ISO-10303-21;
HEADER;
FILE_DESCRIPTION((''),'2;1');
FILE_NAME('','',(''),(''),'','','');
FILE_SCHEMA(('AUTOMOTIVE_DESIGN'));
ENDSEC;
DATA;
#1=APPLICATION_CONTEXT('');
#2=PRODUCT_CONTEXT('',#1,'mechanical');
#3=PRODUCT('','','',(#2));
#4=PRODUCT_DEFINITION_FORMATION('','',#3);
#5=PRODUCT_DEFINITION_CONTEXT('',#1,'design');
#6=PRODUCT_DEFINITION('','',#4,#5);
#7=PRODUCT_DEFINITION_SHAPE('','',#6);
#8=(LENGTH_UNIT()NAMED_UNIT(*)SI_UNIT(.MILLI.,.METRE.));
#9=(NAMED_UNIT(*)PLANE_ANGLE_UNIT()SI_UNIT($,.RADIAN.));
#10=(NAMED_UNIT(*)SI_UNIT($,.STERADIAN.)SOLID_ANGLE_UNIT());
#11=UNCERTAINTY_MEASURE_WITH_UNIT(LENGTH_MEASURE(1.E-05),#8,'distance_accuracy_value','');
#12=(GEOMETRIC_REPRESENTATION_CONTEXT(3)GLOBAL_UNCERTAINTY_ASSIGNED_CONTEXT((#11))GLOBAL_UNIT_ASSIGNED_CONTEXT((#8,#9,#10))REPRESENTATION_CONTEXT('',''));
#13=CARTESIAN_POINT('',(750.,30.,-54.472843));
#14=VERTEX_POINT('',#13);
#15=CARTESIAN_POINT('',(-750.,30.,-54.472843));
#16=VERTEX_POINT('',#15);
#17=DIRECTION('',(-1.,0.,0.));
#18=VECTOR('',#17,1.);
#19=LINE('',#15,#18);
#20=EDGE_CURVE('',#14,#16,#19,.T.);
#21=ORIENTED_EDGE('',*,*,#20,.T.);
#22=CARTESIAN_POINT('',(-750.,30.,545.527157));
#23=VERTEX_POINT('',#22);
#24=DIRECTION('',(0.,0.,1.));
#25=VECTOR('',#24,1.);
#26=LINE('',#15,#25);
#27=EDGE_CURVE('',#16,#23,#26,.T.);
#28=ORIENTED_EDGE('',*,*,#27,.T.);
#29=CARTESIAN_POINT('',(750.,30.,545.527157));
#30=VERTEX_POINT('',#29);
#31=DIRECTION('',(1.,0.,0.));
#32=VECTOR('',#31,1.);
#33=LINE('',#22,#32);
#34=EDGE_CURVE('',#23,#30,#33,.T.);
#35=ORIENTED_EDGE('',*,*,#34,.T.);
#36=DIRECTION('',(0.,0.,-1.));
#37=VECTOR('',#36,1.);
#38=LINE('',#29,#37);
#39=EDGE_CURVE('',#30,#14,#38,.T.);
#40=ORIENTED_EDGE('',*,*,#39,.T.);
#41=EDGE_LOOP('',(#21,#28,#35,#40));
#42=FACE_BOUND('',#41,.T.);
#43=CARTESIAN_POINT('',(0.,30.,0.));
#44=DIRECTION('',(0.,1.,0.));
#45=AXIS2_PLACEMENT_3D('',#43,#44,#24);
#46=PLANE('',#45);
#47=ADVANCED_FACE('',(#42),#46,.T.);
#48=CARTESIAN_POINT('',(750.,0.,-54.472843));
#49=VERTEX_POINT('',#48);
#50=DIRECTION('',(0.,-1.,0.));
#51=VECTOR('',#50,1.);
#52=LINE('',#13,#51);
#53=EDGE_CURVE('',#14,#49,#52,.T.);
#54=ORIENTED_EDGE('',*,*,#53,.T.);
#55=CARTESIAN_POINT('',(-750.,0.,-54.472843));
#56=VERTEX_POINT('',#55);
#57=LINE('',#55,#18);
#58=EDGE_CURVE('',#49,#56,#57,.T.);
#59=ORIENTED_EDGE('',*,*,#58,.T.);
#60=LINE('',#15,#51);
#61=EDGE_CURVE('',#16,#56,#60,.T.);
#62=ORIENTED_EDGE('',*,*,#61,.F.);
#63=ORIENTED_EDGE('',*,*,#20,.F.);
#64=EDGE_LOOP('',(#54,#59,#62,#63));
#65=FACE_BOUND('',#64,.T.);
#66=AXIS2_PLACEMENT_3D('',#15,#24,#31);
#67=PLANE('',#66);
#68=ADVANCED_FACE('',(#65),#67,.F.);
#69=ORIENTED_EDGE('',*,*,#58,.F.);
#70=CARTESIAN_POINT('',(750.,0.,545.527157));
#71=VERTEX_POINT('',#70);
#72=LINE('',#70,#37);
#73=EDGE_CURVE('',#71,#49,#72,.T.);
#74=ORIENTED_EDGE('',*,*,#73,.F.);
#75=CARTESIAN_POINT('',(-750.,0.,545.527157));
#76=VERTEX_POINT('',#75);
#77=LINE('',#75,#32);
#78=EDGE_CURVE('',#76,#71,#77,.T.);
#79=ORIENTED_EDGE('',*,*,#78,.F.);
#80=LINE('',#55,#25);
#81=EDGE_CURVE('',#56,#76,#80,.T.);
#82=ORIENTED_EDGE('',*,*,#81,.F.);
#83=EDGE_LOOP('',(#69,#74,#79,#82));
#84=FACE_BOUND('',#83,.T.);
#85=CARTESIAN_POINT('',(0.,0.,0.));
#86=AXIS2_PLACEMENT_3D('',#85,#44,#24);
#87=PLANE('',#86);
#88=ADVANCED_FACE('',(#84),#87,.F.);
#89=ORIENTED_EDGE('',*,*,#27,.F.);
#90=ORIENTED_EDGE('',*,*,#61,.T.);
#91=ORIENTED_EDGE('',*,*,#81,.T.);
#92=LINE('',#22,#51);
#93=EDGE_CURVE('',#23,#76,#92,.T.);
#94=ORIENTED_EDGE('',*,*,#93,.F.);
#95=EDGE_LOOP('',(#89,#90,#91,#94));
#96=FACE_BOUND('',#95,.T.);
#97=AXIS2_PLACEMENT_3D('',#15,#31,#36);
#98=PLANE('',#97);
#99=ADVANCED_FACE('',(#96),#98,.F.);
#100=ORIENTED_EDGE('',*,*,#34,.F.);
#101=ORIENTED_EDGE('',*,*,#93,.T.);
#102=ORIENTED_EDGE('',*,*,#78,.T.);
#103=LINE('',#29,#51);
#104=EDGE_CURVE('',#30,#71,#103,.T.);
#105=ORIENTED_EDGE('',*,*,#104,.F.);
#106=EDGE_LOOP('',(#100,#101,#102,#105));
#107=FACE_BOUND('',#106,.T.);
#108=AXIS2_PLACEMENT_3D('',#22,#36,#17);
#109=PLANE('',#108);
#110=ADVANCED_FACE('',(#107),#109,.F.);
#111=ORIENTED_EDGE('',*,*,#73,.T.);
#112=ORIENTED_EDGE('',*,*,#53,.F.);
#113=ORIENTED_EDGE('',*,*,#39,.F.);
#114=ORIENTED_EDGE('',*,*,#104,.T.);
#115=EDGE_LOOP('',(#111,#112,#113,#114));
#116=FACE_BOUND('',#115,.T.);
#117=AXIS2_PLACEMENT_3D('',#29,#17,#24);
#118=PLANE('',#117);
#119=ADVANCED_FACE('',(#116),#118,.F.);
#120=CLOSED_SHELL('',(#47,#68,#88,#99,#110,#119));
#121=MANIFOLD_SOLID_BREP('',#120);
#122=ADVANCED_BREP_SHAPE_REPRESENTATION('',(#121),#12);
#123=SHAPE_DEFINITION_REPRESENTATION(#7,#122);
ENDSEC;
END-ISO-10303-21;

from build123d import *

# Parameters (mm, degrees)
SKETCH1_W           = 1500
SKETCH1_H           = 600
BOSS_EXTRUDE1_DEPTH = 30


with BuildPart() as part:
    # Sketch1 → Boss-Extrude1 (new body)
    with BuildSketch(Plane(origin=(0, 0, 0), x_dir=(1, 0, 0), z_dir=(0, 1, 0))):
        with Locations((0, -245.52715655)):
            Rectangle(SKETCH1_W, SKETCH1_H)
    extrude(amount=BOSS_EXTRUDE1_DEPTH)


solid = part.part
